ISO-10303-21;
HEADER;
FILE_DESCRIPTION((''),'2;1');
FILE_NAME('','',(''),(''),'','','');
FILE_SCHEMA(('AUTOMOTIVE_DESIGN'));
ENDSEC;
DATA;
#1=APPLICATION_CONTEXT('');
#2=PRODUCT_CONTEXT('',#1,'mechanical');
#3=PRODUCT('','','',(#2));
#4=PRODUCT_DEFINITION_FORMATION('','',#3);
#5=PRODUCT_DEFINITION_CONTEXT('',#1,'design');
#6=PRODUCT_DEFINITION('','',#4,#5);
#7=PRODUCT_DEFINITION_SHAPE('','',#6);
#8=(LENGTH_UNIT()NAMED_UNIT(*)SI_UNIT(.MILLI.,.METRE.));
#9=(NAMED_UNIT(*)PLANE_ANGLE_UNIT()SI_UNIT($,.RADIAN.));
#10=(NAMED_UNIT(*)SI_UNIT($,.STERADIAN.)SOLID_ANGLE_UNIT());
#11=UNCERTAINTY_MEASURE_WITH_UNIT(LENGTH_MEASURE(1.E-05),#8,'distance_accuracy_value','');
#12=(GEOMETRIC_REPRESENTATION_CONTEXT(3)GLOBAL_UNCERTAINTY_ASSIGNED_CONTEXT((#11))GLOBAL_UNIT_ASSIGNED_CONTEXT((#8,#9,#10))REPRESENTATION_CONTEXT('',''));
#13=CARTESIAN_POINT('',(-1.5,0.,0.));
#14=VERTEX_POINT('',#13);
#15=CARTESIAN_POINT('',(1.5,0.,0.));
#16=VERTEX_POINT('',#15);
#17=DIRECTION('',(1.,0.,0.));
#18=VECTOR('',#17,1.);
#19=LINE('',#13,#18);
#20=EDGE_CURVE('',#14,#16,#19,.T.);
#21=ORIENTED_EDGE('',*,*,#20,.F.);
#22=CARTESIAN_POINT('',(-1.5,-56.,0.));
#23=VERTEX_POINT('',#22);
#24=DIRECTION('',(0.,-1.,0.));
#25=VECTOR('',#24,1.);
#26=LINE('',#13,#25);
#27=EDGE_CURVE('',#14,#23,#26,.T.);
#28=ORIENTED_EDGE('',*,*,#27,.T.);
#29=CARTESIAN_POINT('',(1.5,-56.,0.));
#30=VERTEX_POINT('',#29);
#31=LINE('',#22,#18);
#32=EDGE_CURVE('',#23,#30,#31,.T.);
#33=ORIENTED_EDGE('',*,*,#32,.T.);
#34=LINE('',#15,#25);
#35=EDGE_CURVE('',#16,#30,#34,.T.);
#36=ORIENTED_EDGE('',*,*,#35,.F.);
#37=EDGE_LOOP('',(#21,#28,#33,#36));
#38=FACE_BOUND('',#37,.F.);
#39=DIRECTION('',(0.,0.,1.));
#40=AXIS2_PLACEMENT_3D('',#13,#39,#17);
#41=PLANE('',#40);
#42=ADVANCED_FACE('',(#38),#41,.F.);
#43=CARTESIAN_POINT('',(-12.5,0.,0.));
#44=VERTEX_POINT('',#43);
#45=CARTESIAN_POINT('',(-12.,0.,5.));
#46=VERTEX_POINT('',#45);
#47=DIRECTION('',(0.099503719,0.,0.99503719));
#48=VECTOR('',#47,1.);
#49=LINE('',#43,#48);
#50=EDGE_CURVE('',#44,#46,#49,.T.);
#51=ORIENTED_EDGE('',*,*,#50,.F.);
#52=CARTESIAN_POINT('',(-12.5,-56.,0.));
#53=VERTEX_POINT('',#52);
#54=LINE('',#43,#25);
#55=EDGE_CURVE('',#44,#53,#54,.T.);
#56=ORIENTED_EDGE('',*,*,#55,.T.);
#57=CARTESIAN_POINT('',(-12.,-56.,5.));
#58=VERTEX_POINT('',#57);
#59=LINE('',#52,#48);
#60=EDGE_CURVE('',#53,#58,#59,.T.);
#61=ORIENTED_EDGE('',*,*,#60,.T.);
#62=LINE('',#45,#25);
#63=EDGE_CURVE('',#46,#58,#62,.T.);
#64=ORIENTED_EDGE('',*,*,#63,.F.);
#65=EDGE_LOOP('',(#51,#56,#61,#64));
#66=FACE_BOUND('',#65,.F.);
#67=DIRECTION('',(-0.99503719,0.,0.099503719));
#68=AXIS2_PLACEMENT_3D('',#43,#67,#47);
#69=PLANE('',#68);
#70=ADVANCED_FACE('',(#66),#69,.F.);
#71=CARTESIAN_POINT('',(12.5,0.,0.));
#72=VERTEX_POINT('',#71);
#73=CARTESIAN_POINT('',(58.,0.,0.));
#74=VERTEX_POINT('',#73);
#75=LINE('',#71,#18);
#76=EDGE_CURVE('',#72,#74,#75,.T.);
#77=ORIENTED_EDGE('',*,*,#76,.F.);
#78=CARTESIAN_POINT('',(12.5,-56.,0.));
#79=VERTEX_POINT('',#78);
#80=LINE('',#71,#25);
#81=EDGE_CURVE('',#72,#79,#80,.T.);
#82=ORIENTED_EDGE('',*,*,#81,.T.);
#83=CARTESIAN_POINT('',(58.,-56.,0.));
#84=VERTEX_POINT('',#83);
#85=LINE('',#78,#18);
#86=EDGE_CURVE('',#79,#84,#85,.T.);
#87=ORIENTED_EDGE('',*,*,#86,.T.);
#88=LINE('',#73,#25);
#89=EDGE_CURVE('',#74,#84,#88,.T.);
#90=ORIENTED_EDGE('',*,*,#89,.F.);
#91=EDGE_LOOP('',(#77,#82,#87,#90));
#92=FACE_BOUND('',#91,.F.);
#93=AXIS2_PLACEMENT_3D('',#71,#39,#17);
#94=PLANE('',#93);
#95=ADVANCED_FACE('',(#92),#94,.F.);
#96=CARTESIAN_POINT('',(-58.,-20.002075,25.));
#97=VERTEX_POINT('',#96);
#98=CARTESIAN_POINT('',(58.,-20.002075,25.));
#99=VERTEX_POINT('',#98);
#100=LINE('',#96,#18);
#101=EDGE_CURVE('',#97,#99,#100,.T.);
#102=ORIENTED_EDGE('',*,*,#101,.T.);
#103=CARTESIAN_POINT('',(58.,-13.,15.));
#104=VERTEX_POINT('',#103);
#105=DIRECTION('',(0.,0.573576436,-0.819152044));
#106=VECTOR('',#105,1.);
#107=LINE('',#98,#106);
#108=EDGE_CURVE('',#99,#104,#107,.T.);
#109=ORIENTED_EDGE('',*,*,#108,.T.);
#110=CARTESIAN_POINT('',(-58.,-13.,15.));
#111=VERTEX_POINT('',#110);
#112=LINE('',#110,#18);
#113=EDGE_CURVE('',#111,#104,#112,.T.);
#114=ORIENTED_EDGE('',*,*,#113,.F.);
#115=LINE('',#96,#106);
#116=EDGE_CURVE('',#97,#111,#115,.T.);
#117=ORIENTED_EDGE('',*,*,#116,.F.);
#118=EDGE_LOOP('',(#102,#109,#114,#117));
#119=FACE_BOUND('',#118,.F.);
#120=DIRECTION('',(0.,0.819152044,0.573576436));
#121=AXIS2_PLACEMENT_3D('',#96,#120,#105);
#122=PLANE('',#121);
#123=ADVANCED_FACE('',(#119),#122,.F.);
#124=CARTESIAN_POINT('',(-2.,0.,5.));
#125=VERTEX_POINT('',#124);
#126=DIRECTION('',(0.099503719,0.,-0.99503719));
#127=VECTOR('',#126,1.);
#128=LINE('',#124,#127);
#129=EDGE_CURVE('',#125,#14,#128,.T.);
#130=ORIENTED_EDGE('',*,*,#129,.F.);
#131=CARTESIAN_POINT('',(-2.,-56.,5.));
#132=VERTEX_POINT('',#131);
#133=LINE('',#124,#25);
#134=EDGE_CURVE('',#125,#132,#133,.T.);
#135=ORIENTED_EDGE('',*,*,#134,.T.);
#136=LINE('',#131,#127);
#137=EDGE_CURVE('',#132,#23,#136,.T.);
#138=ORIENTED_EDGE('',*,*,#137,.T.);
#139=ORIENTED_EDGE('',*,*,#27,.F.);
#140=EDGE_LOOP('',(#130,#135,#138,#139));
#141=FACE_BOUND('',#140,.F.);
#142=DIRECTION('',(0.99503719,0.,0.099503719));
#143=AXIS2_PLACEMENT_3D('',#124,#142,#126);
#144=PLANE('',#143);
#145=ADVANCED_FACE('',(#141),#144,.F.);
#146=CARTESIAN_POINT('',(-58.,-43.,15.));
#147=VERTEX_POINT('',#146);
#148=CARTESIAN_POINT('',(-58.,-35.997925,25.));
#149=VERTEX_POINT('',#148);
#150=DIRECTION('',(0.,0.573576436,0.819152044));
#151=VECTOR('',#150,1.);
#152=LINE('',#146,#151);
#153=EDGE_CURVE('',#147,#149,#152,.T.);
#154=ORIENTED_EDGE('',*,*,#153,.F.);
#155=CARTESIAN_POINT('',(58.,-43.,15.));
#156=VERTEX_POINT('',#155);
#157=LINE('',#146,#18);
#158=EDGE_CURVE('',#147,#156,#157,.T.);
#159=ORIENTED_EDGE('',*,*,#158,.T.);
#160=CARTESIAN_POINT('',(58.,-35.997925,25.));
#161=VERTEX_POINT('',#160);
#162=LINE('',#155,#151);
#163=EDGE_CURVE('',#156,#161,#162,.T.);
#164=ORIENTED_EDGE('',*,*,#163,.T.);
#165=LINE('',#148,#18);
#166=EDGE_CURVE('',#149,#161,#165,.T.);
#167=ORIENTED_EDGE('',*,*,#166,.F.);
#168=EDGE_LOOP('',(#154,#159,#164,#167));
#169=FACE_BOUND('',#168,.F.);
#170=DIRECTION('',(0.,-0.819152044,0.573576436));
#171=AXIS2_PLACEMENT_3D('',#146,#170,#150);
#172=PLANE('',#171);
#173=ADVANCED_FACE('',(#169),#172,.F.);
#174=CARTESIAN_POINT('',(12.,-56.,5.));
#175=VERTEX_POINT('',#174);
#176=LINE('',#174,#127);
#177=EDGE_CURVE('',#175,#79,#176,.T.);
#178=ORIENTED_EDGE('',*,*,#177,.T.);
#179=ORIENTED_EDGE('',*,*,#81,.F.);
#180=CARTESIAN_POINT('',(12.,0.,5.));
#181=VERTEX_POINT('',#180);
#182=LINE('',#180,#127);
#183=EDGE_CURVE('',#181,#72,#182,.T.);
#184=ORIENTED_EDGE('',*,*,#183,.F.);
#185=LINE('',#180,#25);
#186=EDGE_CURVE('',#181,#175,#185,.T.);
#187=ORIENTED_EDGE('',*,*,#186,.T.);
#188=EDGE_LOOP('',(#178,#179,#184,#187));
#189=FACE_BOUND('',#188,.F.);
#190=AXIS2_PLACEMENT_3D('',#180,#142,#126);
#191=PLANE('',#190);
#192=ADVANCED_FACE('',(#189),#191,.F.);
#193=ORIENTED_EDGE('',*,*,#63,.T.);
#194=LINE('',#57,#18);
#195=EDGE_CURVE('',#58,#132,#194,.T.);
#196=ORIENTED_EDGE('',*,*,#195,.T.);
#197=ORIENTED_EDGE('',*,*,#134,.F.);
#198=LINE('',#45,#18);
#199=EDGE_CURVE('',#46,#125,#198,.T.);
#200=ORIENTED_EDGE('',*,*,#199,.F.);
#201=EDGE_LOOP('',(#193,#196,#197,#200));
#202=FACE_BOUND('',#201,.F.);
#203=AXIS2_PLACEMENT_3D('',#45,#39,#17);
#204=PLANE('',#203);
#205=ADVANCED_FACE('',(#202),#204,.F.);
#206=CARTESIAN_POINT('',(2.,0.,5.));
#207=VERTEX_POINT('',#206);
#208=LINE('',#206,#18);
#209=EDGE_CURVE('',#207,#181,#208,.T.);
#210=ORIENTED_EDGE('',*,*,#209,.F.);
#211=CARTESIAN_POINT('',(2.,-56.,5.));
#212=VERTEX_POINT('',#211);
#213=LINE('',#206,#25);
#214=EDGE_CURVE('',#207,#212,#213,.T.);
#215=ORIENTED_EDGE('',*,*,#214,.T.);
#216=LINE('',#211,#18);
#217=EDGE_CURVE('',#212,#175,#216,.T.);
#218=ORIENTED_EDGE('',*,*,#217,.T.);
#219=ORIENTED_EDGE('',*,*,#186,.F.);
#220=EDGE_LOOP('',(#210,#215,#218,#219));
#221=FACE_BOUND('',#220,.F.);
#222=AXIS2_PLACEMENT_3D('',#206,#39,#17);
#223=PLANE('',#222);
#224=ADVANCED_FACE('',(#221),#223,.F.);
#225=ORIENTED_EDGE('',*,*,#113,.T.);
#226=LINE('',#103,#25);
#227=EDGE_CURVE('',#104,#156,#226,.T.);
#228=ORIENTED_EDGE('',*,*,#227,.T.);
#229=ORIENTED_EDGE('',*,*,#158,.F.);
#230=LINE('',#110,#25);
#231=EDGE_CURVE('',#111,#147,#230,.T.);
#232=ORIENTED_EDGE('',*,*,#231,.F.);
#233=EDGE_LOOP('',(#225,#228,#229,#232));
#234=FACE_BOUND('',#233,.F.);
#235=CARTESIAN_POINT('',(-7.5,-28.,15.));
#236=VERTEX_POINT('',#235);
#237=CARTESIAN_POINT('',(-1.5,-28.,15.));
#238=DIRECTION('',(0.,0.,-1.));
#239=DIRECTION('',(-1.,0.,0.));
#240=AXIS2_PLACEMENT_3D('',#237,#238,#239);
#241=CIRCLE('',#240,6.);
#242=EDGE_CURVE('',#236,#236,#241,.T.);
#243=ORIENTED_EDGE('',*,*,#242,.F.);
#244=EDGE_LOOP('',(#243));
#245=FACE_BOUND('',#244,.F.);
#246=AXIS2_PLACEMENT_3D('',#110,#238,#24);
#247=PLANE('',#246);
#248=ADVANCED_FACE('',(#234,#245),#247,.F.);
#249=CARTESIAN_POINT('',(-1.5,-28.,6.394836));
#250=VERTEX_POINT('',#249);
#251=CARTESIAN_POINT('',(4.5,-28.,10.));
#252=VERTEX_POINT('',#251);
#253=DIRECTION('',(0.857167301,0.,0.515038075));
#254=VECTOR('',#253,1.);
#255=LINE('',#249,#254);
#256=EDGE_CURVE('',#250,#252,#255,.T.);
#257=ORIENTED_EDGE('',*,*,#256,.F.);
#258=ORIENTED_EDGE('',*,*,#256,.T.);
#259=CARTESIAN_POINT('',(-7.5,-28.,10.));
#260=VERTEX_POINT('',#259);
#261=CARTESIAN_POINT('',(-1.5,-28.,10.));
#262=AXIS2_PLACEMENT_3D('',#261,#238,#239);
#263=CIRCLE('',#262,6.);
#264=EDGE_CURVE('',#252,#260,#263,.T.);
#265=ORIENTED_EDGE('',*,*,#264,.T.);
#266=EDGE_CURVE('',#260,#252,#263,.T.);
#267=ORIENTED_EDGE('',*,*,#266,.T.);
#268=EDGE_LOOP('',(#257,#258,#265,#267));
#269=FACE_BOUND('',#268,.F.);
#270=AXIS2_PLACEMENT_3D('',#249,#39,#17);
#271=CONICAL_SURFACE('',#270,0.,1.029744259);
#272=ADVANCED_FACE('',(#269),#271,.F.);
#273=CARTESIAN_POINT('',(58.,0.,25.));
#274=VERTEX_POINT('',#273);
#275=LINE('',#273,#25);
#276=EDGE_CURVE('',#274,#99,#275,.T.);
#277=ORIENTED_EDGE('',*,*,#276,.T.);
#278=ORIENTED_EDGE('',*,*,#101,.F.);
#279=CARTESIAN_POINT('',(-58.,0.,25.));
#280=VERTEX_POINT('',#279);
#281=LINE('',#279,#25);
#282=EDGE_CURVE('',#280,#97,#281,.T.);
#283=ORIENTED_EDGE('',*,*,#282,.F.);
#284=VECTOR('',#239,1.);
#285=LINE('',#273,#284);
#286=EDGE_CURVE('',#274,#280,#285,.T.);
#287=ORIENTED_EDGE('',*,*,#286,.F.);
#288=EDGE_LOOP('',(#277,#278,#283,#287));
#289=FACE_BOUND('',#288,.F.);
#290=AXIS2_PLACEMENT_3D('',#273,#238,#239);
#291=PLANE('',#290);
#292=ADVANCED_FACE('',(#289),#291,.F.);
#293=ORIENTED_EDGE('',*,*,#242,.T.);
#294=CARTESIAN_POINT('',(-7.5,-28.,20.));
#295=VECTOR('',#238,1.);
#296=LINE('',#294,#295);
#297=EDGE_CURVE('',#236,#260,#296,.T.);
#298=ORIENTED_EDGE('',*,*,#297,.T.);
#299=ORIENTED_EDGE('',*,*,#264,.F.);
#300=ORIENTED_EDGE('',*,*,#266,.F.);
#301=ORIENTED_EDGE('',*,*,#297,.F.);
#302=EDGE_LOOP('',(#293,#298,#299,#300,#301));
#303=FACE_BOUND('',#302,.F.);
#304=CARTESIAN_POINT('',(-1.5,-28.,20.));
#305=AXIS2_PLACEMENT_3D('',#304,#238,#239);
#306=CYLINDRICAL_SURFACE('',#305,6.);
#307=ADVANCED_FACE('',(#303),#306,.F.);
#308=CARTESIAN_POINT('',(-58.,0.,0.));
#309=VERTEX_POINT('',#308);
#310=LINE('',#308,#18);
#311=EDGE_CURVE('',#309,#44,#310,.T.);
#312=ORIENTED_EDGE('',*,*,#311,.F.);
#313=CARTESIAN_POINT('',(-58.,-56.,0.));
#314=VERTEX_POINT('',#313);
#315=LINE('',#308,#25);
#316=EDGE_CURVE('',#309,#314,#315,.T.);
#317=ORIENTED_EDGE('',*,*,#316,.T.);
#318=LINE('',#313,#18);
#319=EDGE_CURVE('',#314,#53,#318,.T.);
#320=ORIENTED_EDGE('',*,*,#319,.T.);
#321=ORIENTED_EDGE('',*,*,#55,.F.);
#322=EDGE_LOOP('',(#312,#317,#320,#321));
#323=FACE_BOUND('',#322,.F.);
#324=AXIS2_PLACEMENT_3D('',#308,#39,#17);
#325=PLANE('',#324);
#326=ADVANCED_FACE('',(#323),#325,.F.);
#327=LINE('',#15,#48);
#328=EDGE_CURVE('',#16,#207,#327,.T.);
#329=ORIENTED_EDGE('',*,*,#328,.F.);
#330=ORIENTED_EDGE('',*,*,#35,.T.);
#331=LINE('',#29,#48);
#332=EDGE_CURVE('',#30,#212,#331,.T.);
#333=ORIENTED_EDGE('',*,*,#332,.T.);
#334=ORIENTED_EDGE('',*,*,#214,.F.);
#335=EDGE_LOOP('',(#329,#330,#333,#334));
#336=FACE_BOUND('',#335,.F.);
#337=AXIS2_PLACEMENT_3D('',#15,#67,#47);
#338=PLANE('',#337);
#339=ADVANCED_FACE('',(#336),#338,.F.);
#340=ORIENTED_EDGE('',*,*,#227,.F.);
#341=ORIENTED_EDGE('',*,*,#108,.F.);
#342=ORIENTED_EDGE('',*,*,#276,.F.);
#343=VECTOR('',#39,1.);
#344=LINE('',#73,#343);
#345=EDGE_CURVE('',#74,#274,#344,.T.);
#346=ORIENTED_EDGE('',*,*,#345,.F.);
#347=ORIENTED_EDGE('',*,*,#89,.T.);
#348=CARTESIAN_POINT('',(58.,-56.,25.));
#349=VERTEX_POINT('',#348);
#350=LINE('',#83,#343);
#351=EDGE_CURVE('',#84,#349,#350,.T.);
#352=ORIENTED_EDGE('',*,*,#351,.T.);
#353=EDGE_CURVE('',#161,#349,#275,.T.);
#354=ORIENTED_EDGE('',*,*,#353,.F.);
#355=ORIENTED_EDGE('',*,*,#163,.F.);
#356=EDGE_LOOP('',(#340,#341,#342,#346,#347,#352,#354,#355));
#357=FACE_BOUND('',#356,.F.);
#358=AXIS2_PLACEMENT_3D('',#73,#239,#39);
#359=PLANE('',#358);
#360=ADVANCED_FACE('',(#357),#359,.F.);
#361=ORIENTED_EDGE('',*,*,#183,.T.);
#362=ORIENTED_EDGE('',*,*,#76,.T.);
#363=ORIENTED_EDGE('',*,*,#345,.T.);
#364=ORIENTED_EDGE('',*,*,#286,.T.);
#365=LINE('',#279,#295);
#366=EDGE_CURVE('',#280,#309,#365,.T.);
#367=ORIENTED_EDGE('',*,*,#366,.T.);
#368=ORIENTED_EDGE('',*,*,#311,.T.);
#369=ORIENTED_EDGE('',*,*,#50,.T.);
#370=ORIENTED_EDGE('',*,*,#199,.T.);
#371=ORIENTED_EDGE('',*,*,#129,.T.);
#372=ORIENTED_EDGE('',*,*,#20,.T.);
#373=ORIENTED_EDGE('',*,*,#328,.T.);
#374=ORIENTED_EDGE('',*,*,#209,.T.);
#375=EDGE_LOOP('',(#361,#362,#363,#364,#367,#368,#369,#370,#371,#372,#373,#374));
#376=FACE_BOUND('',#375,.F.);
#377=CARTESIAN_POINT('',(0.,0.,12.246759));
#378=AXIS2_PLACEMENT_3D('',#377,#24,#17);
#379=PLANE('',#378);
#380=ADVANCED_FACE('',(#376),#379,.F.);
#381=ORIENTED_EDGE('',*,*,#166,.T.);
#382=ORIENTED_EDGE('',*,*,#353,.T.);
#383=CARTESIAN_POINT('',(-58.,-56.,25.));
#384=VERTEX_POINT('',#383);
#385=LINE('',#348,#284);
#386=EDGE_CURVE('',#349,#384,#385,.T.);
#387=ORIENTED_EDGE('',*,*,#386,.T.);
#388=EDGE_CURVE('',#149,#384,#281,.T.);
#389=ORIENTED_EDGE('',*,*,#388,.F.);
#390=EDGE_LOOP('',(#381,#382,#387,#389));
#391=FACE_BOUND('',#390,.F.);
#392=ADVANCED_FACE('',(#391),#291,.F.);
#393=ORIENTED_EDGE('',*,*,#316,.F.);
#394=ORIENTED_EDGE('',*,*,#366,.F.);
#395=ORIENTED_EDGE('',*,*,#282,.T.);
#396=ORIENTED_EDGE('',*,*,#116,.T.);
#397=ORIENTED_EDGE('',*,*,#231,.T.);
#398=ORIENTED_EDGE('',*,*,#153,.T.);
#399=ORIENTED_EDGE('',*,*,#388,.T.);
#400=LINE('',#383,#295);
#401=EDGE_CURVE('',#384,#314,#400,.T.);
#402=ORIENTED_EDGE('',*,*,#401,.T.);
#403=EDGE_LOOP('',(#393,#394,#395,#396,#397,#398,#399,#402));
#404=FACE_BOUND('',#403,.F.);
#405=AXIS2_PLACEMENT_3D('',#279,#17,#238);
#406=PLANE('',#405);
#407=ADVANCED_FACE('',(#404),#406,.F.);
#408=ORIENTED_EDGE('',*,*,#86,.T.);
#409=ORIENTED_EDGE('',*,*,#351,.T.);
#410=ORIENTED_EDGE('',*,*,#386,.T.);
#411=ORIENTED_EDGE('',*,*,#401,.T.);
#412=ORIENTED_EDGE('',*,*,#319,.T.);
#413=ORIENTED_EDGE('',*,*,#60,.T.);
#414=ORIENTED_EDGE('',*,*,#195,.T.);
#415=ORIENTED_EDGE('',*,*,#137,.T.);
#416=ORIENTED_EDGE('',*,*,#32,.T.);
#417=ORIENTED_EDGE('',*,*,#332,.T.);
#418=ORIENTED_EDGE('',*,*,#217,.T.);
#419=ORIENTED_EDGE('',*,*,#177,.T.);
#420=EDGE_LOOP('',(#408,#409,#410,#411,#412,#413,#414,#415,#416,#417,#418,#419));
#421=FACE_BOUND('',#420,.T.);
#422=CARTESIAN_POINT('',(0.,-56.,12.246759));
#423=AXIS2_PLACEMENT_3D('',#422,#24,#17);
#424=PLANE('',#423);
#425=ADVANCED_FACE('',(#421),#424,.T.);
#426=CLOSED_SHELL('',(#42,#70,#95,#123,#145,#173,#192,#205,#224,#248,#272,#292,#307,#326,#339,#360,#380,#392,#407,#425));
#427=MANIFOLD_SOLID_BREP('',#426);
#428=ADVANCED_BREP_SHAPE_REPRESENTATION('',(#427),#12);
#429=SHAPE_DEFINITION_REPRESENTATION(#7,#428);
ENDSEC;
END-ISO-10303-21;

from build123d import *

# Parameters (mm, degrees)
F1_DEPTH = 56
F3_DEPTH = 116
F5_D     = 12
F5_DEPTH = 5
F5_TIP   = 3.6051637142


with BuildPart() as f1:
    # F0 (on Front) → F1 (new body)
    with BuildSketch(Plane.XZ):
        Polygon((-1.5, 0), (0, 0), (1.5, 0), (2, 5), (12, 5), (12.5, 0), (58, 0), (58, 25), (-58, 25), (-58, 0), (-12.5, 0), (-12, 5), (-2, 5), align=None)
    extrude(amount=F1_DEPTH)

    # F2 (on face) → F3 (cut, through all)
    with BuildSketch(Plane(origin=(-58, 0, 0), x_dir=(0, -1, 0), z_dir=(-1, 0, 0))):
        Polygon((28, 25), (20.0020753821, 25), (13, 15), (28, 15), align=None)
        Polygon((35.9979246179, 25), (28, 25), (28, 15), (43, 15), align=None)
    extrude(amount=-F3_DEPTH, mode=Mode.SUBTRACT)

    # F5
    with Locations(Plane.XY.offset(15)):
        with Locations((-1.5, -28)):
            Hole(F5_D / 2, depth=F5_DEPTH)
            with Locations((0, 0, -(F5_DEPTH + F5_TIP / 2))):  # 118° drill point
                Cone(0, F5_D / 2, F5_TIP, mode=Mode.SUBTRACT)


solid = f1.part
